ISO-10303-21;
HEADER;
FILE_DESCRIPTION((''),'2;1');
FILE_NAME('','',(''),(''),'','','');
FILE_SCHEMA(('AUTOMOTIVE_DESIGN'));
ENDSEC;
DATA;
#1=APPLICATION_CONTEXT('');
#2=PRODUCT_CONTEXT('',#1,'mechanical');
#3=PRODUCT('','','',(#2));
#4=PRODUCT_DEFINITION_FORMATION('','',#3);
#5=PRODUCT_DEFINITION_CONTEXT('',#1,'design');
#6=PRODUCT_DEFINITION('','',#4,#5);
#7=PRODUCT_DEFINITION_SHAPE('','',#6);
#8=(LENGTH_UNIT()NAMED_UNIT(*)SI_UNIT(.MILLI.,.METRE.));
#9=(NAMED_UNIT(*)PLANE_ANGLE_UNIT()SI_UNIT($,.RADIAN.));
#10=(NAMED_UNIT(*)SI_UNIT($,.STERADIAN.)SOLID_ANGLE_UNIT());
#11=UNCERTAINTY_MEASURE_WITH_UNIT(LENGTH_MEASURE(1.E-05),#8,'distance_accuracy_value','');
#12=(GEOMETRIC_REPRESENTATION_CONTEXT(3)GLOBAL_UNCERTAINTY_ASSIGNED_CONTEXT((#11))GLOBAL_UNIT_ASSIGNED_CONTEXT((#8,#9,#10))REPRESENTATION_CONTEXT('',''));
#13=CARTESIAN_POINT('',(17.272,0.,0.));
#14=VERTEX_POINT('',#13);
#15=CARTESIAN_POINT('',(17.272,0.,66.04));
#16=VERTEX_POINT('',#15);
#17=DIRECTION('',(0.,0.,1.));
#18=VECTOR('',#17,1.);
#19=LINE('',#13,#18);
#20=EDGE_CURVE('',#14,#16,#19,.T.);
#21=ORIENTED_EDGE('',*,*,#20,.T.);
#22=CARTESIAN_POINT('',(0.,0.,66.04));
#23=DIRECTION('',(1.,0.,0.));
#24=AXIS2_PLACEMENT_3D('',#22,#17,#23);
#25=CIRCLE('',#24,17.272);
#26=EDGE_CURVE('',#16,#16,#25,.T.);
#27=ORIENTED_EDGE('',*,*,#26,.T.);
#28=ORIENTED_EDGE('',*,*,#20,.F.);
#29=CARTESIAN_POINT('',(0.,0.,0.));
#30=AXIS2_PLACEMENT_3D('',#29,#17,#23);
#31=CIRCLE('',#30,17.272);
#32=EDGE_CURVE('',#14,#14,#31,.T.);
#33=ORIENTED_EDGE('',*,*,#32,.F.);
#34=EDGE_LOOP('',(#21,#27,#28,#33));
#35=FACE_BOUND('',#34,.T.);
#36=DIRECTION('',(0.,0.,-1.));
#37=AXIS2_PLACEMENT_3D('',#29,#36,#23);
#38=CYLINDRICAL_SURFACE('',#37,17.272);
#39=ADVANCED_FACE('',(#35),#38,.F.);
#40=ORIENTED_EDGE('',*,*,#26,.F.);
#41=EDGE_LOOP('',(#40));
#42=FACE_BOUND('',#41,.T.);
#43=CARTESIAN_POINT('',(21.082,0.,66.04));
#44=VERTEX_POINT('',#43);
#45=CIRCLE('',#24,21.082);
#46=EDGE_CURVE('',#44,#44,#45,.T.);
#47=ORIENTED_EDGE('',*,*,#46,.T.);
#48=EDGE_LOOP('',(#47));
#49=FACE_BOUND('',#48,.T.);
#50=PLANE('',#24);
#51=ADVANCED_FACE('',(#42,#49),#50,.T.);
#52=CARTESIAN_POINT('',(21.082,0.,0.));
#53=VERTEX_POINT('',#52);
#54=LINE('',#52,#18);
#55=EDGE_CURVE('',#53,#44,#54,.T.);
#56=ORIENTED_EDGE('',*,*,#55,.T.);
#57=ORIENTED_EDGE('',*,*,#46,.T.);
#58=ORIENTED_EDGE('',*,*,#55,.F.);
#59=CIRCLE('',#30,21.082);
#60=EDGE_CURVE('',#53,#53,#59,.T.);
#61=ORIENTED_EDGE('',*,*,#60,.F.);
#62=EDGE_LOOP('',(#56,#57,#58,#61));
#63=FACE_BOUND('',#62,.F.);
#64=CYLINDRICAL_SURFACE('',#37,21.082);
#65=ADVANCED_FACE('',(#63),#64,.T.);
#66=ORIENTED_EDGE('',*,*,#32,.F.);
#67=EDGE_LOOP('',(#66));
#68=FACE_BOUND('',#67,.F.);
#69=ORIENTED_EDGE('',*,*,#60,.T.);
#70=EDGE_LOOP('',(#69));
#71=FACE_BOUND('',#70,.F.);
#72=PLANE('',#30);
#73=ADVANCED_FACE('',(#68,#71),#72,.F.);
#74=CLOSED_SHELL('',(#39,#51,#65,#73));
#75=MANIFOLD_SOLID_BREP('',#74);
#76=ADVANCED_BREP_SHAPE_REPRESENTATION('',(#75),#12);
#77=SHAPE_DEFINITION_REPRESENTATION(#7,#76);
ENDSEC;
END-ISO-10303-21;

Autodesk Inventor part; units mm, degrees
ref_plane "YZ Plane" through (0, 0, 0) normal (1, 0, 0) x (0, 1, 0)
ref_plane "XZ Plane" through (0, 0, 0) normal (0, 1, 0) x (-1, 0, 0)
ref_plane "XY Plane" through (0, 0, 0) normal (0, 0, 1) x (1, 0, 0)
sketch "Sketch1" plane through (0, 0, 0) normal (0, 0, 1) x (1, 0, 0)
  circle A0 centre (0, 0) radius 17.272
  circle A1 centre (0, 0) radius 21.082
  dimension "d0" = 34.544
  dimension "d1" = 42.164
extrude "Extrusion1" add sketch "Sketch1" along normal blind 66.04
properties part number "V5 Shooter Conveyor Roller" material "PVC-Piping"
